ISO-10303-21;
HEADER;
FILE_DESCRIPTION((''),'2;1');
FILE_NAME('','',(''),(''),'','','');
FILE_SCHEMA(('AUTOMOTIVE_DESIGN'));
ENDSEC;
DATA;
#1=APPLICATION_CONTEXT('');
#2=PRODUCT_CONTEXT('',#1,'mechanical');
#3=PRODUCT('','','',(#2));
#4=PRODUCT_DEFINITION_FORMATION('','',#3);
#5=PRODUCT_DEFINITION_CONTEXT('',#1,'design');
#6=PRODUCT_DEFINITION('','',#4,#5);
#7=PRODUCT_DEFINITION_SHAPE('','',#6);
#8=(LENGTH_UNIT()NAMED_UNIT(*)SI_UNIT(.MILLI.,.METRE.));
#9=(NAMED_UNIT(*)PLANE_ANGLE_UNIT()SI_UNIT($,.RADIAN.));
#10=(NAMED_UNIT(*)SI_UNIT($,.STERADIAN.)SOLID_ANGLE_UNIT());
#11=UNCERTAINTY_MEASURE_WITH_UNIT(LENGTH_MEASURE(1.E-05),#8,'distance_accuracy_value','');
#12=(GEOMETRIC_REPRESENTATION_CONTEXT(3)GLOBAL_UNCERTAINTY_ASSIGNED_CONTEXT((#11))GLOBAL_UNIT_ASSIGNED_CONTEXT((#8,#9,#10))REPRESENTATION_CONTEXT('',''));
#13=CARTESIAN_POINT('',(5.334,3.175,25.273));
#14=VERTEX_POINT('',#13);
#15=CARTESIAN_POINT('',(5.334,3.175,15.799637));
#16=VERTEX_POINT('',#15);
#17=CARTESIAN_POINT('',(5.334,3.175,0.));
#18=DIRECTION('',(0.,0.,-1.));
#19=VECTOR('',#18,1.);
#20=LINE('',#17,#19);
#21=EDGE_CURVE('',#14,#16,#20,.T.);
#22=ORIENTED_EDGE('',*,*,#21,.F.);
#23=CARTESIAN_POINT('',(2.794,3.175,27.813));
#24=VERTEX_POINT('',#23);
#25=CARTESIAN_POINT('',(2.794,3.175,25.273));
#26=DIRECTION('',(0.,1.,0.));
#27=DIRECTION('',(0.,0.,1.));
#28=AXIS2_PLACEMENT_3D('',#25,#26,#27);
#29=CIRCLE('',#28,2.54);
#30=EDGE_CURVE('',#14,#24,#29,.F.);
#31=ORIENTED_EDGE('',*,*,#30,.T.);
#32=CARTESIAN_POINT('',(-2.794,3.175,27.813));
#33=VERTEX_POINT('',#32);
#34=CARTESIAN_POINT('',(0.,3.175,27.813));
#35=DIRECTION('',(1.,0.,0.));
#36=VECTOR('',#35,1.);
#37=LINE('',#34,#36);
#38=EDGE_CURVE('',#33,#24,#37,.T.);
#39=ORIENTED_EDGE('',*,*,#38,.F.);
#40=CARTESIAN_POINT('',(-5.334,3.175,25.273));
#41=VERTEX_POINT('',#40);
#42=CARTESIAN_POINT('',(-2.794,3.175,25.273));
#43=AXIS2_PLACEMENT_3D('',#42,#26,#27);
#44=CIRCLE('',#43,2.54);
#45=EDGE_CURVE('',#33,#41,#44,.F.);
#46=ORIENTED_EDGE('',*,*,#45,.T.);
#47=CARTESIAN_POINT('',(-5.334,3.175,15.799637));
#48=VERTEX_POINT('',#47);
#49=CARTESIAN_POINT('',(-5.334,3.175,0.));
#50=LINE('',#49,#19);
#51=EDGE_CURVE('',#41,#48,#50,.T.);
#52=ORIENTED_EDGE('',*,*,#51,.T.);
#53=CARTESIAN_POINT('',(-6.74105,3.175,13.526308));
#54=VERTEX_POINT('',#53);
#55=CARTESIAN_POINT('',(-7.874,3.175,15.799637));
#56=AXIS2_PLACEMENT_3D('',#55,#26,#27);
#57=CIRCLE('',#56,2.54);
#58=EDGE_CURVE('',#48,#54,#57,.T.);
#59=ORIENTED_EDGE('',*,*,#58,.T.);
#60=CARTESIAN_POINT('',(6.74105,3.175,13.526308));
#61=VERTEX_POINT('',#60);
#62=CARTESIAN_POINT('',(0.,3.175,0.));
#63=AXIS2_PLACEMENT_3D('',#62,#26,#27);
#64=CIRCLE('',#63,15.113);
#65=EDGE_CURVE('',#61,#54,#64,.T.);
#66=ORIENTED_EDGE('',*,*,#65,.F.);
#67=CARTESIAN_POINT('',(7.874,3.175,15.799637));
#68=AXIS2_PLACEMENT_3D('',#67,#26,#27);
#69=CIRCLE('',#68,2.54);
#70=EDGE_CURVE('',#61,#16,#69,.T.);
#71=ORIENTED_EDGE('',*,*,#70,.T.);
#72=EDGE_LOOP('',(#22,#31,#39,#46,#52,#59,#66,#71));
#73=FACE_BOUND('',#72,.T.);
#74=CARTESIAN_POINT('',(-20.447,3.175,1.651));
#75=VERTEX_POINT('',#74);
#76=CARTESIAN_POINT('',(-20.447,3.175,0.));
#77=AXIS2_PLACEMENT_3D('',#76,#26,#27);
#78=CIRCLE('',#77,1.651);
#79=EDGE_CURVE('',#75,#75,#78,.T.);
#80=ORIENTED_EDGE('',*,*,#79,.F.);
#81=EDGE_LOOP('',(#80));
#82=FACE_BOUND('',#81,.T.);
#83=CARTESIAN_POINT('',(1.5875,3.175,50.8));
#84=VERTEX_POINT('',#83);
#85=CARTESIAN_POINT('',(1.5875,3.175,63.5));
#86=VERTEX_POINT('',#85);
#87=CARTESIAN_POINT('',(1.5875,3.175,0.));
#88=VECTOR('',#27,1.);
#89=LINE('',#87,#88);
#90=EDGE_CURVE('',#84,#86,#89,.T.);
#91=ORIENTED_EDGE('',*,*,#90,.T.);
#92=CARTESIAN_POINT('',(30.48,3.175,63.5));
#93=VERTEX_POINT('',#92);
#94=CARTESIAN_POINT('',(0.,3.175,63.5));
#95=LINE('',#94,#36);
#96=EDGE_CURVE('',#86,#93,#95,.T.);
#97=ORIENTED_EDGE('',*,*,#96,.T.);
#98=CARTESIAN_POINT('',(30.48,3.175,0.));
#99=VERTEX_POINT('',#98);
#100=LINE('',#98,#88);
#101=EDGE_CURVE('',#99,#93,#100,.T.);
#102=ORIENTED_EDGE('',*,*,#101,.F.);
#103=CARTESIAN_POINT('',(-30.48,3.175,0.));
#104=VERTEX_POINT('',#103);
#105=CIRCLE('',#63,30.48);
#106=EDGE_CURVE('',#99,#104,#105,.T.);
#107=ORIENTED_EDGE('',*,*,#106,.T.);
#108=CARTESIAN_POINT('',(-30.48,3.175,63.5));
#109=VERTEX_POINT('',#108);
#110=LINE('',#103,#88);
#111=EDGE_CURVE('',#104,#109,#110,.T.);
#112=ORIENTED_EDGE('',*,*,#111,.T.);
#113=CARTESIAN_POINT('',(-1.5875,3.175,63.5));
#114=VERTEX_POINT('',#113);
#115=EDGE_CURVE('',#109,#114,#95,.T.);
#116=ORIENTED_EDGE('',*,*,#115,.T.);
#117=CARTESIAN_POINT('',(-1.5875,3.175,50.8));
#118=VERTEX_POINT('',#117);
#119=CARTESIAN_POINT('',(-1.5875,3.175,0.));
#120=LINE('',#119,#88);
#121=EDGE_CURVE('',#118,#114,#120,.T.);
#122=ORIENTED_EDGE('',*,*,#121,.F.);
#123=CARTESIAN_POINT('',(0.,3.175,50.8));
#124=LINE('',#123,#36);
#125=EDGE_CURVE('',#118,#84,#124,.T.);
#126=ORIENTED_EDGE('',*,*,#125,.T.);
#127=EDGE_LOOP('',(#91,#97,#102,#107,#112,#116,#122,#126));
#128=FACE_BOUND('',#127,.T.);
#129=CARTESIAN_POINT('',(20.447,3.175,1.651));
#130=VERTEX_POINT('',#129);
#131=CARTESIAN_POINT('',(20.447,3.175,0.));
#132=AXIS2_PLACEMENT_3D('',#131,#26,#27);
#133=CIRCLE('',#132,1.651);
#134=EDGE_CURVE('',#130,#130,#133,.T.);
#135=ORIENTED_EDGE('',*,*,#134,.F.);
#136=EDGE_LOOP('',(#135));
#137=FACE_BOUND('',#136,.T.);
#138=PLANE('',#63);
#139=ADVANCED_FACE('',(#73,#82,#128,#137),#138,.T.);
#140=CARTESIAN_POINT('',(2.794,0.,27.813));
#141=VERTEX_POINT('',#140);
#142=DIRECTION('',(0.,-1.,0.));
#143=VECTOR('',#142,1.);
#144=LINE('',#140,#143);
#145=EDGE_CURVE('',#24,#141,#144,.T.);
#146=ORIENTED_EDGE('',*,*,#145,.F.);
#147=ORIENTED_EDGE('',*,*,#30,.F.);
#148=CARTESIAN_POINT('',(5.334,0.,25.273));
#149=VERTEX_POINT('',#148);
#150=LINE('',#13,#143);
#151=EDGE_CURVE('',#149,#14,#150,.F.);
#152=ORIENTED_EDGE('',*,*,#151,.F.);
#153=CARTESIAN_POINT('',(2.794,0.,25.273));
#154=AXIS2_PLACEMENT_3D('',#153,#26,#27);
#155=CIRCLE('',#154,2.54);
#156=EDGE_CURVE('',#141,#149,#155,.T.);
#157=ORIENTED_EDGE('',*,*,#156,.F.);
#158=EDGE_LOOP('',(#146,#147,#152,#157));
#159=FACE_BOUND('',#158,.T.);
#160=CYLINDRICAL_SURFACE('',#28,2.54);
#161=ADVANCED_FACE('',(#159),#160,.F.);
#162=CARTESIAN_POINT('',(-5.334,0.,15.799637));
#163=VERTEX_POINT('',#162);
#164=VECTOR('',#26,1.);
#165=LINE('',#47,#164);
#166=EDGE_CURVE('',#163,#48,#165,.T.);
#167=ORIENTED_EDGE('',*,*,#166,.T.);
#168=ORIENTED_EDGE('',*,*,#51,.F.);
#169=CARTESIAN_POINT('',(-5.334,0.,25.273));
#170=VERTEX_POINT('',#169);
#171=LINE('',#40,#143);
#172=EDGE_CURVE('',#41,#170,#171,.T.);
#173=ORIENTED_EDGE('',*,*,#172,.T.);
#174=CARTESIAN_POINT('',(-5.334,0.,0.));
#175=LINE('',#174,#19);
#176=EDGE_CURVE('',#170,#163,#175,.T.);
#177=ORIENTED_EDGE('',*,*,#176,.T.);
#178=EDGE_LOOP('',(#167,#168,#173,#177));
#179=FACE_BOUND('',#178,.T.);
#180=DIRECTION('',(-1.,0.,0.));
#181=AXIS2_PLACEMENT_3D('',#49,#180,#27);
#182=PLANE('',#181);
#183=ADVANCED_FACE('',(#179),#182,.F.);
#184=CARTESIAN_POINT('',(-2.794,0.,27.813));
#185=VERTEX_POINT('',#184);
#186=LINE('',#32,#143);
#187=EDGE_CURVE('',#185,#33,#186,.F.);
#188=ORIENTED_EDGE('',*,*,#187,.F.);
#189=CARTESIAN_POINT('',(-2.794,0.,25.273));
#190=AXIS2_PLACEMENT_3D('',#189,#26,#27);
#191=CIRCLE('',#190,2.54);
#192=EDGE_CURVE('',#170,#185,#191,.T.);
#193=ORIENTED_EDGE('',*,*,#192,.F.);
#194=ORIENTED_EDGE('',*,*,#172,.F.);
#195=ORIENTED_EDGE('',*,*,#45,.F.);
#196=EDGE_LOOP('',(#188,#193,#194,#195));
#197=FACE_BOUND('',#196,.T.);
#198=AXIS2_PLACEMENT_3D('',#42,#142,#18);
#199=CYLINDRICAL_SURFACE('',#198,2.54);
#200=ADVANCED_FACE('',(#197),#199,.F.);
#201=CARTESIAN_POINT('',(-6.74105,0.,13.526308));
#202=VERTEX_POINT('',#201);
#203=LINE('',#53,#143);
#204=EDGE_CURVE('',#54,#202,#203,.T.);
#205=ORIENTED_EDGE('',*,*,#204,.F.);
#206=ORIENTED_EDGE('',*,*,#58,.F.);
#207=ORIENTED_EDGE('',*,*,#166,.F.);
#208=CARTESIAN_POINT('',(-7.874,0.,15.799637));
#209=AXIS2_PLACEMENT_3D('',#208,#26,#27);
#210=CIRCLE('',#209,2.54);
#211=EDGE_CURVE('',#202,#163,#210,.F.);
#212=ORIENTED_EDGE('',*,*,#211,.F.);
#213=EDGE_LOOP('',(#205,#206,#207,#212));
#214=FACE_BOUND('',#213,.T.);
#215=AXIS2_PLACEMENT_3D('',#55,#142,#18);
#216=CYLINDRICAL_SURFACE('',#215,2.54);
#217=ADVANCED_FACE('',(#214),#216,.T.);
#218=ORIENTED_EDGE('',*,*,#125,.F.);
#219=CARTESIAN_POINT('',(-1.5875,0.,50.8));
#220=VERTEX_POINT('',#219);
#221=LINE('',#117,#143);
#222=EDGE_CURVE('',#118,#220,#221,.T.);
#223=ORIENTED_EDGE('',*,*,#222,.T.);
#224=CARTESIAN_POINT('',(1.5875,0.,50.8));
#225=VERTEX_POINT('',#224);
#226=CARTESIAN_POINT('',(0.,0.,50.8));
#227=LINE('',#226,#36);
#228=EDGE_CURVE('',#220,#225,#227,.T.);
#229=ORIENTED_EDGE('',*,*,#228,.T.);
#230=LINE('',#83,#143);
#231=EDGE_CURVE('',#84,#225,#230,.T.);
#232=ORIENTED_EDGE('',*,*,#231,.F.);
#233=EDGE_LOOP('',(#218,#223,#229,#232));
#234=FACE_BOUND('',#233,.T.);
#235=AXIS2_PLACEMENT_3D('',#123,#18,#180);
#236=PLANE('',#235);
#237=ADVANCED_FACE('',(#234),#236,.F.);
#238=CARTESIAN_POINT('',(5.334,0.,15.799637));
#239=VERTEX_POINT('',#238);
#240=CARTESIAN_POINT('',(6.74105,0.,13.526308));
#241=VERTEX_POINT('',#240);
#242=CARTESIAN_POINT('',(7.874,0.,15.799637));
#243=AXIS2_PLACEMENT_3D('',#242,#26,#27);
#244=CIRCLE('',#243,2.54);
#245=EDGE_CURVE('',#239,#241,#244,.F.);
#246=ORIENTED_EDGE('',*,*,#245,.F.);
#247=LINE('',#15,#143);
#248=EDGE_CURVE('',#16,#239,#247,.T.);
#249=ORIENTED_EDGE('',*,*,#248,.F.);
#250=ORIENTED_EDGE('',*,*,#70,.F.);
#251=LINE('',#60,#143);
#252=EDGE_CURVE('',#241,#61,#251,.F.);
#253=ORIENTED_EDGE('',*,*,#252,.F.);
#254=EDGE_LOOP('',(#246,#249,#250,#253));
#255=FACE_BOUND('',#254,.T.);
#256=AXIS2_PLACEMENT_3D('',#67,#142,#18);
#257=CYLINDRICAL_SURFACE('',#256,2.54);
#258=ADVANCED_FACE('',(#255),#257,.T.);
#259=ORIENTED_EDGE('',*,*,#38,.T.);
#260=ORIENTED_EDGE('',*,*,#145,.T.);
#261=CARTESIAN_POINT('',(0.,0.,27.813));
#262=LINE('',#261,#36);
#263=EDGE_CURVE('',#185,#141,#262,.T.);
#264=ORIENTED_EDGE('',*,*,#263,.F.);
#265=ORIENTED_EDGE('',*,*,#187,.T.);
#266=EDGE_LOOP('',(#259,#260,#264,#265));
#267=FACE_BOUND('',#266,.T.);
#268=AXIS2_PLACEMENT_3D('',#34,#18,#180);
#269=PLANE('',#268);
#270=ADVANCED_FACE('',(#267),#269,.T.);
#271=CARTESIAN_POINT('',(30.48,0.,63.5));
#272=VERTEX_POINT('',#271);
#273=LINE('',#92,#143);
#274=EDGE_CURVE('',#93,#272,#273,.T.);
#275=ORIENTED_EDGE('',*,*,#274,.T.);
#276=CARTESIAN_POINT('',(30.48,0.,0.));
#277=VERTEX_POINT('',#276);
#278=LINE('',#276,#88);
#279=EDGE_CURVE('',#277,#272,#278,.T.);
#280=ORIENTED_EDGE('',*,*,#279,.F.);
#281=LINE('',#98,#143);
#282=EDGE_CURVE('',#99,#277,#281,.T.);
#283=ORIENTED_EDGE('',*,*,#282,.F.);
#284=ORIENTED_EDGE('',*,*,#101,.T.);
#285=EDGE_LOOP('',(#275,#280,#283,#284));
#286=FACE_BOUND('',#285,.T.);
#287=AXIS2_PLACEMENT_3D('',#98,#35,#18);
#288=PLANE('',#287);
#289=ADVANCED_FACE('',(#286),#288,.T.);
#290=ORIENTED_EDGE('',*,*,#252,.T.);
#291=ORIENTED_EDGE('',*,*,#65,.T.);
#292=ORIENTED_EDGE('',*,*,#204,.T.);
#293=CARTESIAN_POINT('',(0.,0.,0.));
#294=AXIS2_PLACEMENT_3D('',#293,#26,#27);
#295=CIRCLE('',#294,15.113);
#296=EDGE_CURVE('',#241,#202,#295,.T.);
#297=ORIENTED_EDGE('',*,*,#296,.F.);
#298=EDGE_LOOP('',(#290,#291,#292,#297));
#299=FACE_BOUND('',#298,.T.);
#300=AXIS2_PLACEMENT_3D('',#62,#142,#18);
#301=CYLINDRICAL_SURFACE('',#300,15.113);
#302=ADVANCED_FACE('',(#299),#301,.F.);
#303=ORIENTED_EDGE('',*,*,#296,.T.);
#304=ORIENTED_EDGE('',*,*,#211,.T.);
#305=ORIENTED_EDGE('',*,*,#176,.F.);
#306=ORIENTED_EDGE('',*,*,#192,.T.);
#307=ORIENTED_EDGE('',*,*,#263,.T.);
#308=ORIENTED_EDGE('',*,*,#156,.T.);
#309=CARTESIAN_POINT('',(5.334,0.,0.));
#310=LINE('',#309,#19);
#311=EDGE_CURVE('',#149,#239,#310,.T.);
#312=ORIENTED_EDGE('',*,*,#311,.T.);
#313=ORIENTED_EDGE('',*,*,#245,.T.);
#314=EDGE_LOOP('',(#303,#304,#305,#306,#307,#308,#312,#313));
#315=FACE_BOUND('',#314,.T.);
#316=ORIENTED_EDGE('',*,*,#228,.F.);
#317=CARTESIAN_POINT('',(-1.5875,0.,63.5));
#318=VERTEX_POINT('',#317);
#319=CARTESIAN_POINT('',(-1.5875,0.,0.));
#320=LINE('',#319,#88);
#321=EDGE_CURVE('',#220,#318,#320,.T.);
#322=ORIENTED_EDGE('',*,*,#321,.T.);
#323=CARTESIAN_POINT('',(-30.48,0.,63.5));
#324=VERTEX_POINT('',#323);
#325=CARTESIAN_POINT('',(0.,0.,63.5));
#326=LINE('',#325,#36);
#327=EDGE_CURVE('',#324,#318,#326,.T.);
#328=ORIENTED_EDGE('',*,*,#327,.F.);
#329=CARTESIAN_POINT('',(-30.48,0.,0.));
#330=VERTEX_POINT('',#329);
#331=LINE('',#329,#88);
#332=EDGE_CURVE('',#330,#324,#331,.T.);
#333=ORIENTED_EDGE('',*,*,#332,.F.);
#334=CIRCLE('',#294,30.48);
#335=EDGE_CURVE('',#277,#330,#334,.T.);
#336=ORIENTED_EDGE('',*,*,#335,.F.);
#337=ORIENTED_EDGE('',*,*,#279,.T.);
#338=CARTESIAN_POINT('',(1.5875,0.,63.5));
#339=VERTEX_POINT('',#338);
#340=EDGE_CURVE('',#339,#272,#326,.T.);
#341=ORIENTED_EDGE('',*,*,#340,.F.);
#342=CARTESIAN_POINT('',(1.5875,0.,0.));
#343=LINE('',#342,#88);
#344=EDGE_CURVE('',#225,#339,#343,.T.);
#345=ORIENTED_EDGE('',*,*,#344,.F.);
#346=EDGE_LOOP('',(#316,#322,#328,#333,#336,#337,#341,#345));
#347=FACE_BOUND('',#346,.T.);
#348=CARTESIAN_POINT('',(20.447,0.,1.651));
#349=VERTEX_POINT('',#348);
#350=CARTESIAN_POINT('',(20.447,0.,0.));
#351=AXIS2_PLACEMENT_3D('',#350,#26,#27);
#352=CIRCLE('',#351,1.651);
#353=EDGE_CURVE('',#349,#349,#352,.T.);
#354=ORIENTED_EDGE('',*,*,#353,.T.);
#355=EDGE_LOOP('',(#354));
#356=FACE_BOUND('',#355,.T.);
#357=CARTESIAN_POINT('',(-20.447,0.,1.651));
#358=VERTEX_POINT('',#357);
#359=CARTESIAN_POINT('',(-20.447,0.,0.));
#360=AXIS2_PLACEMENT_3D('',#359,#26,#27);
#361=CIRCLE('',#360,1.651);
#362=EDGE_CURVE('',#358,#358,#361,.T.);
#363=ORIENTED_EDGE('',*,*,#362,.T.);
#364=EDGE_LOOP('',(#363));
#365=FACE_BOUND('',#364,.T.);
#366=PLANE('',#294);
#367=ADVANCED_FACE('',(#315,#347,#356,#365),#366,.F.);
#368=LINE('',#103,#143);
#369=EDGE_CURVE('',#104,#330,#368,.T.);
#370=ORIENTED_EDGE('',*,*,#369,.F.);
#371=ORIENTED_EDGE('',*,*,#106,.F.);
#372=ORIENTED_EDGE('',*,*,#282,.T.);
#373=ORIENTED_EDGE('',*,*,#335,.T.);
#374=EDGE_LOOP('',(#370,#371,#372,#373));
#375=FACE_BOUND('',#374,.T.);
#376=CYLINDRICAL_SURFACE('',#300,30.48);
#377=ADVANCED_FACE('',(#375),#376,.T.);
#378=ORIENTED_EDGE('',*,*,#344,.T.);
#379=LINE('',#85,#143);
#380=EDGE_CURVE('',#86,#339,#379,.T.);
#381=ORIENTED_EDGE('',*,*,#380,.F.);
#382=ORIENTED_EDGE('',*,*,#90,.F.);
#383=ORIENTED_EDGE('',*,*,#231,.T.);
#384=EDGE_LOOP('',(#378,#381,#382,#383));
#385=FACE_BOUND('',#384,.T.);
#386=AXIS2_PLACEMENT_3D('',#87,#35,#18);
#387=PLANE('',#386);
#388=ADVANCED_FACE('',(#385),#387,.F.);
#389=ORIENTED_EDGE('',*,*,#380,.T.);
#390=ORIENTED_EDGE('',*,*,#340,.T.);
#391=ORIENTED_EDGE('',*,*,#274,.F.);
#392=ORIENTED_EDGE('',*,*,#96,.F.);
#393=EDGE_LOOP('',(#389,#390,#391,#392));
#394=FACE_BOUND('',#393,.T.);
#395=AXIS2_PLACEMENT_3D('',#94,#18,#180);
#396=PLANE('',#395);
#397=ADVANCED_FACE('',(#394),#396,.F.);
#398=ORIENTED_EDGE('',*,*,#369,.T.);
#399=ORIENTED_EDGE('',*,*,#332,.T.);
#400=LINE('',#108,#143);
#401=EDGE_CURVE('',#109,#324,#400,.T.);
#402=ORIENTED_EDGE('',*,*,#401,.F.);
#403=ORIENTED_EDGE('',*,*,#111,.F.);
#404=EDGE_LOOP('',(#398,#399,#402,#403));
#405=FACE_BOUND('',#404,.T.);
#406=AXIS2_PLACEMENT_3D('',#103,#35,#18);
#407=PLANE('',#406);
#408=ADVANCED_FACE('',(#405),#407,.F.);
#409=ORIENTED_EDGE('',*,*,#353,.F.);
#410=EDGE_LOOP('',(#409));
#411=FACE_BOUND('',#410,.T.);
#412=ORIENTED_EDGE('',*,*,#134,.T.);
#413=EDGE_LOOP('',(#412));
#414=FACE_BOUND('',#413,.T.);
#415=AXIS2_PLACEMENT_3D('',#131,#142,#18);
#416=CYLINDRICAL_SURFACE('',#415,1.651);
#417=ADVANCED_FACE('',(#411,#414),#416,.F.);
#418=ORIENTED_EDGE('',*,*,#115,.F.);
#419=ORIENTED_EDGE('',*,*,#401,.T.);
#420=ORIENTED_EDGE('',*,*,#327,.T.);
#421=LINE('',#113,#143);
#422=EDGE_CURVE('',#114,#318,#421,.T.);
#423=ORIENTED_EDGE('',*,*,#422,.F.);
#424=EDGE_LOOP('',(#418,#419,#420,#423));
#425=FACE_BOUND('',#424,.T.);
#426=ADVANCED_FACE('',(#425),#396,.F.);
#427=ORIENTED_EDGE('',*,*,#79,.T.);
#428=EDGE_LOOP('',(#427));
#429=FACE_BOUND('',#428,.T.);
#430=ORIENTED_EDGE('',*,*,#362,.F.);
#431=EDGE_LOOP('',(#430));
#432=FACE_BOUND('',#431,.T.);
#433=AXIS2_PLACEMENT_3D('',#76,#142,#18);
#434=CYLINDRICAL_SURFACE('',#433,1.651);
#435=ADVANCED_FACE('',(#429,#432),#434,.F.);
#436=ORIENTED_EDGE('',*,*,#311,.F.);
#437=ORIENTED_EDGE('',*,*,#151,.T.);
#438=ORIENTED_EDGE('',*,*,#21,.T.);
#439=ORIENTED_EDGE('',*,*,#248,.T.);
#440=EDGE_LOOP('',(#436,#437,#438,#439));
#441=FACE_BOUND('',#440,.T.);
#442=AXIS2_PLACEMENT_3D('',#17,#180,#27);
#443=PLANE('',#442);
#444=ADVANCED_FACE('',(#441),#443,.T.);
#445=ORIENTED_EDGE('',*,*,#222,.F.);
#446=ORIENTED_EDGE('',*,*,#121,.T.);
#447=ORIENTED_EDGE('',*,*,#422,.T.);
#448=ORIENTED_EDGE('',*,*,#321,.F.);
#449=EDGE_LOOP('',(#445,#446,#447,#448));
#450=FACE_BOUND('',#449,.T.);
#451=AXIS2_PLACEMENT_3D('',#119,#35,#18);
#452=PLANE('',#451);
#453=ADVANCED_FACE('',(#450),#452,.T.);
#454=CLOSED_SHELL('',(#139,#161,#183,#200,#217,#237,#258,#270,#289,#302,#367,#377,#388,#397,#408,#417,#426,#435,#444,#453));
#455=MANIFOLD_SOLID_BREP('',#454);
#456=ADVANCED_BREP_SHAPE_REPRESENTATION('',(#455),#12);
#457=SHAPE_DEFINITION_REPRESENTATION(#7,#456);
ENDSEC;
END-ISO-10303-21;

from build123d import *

# Parameters (mm, degrees)
SKETCH1_R           = 1.651
BOSS_EXTRUDE1_DEPTH = 3.175
FILLET2_R           = 2.54


with BuildPart() as part:
    # Sketch1 → Boss-Extrude1 (new body)
    with BuildSketch(Plane(origin=(0, 0, 0), x_dir=(1, 0, 0), z_dir=(0, 1, 0))):
        with BuildLine():
            Line((30.48, -63.5), (30.48, 0))
            ThreePointArc((30.48, 0), (0, 30.48), (-30.48, 0))
            Line((-30.48, 0), (-30.48, -63.5))
            Line((-30.48, -63.5), (-1.5875, -63.5))
            Line((-1.5875, -63.5), (-1.5875, -50.8))
            Line((-1.5875, -50.8), (1.5875, -50.8))
            Line((1.5875, -50.8), (1.5875, -63.5))
            Line((1.5875, -63.5), (30.48, -63.5))
        make_face()
        with Locations(Location((-20.447, 0, 0), (0, 0, 270))):
            Circle(SKETCH1_R, mode=Mode.SUBTRACT)
        with BuildLine():
            Line((5.334, -27.813), (-5.334, -27.813))
            Line((-5.334, -27.813), (-5.334, -14.140410638))
            ThreePointArc((-5.334, -14.140410638), (-8.596220885, 12.430114863), (15.113, 0))
            ThreePointArc((15.113, 0), (12.430114863, -8.596220885), (5.334, -14.140410638))
            Line((5.334, -14.140410638), (5.334, -27.813))
        make_face(mode=Mode.SUBTRACT)
        with Locations(Location((20.447, 0, 0), (0, 0, 270))):
            Circle(SKETCH1_R, mode=Mode.SUBTRACT)
    extrude(amount=BOSS_EXTRUDE1_DEPTH)

    # Fillet2
    fillet2_edges = [part.edges().sort_by_distance(p)[0] for p in [
        (-5.334, 1.5875, 14.140410638),
        (-5.334, 1.5875, 27.813),
        (5.334, 1.5875, 27.813),
        (5.334, 1.5875, 14.140410638),
    ]]
    fillet(fillet2_edges, radius=FILLET2_R)


solid = part.part
